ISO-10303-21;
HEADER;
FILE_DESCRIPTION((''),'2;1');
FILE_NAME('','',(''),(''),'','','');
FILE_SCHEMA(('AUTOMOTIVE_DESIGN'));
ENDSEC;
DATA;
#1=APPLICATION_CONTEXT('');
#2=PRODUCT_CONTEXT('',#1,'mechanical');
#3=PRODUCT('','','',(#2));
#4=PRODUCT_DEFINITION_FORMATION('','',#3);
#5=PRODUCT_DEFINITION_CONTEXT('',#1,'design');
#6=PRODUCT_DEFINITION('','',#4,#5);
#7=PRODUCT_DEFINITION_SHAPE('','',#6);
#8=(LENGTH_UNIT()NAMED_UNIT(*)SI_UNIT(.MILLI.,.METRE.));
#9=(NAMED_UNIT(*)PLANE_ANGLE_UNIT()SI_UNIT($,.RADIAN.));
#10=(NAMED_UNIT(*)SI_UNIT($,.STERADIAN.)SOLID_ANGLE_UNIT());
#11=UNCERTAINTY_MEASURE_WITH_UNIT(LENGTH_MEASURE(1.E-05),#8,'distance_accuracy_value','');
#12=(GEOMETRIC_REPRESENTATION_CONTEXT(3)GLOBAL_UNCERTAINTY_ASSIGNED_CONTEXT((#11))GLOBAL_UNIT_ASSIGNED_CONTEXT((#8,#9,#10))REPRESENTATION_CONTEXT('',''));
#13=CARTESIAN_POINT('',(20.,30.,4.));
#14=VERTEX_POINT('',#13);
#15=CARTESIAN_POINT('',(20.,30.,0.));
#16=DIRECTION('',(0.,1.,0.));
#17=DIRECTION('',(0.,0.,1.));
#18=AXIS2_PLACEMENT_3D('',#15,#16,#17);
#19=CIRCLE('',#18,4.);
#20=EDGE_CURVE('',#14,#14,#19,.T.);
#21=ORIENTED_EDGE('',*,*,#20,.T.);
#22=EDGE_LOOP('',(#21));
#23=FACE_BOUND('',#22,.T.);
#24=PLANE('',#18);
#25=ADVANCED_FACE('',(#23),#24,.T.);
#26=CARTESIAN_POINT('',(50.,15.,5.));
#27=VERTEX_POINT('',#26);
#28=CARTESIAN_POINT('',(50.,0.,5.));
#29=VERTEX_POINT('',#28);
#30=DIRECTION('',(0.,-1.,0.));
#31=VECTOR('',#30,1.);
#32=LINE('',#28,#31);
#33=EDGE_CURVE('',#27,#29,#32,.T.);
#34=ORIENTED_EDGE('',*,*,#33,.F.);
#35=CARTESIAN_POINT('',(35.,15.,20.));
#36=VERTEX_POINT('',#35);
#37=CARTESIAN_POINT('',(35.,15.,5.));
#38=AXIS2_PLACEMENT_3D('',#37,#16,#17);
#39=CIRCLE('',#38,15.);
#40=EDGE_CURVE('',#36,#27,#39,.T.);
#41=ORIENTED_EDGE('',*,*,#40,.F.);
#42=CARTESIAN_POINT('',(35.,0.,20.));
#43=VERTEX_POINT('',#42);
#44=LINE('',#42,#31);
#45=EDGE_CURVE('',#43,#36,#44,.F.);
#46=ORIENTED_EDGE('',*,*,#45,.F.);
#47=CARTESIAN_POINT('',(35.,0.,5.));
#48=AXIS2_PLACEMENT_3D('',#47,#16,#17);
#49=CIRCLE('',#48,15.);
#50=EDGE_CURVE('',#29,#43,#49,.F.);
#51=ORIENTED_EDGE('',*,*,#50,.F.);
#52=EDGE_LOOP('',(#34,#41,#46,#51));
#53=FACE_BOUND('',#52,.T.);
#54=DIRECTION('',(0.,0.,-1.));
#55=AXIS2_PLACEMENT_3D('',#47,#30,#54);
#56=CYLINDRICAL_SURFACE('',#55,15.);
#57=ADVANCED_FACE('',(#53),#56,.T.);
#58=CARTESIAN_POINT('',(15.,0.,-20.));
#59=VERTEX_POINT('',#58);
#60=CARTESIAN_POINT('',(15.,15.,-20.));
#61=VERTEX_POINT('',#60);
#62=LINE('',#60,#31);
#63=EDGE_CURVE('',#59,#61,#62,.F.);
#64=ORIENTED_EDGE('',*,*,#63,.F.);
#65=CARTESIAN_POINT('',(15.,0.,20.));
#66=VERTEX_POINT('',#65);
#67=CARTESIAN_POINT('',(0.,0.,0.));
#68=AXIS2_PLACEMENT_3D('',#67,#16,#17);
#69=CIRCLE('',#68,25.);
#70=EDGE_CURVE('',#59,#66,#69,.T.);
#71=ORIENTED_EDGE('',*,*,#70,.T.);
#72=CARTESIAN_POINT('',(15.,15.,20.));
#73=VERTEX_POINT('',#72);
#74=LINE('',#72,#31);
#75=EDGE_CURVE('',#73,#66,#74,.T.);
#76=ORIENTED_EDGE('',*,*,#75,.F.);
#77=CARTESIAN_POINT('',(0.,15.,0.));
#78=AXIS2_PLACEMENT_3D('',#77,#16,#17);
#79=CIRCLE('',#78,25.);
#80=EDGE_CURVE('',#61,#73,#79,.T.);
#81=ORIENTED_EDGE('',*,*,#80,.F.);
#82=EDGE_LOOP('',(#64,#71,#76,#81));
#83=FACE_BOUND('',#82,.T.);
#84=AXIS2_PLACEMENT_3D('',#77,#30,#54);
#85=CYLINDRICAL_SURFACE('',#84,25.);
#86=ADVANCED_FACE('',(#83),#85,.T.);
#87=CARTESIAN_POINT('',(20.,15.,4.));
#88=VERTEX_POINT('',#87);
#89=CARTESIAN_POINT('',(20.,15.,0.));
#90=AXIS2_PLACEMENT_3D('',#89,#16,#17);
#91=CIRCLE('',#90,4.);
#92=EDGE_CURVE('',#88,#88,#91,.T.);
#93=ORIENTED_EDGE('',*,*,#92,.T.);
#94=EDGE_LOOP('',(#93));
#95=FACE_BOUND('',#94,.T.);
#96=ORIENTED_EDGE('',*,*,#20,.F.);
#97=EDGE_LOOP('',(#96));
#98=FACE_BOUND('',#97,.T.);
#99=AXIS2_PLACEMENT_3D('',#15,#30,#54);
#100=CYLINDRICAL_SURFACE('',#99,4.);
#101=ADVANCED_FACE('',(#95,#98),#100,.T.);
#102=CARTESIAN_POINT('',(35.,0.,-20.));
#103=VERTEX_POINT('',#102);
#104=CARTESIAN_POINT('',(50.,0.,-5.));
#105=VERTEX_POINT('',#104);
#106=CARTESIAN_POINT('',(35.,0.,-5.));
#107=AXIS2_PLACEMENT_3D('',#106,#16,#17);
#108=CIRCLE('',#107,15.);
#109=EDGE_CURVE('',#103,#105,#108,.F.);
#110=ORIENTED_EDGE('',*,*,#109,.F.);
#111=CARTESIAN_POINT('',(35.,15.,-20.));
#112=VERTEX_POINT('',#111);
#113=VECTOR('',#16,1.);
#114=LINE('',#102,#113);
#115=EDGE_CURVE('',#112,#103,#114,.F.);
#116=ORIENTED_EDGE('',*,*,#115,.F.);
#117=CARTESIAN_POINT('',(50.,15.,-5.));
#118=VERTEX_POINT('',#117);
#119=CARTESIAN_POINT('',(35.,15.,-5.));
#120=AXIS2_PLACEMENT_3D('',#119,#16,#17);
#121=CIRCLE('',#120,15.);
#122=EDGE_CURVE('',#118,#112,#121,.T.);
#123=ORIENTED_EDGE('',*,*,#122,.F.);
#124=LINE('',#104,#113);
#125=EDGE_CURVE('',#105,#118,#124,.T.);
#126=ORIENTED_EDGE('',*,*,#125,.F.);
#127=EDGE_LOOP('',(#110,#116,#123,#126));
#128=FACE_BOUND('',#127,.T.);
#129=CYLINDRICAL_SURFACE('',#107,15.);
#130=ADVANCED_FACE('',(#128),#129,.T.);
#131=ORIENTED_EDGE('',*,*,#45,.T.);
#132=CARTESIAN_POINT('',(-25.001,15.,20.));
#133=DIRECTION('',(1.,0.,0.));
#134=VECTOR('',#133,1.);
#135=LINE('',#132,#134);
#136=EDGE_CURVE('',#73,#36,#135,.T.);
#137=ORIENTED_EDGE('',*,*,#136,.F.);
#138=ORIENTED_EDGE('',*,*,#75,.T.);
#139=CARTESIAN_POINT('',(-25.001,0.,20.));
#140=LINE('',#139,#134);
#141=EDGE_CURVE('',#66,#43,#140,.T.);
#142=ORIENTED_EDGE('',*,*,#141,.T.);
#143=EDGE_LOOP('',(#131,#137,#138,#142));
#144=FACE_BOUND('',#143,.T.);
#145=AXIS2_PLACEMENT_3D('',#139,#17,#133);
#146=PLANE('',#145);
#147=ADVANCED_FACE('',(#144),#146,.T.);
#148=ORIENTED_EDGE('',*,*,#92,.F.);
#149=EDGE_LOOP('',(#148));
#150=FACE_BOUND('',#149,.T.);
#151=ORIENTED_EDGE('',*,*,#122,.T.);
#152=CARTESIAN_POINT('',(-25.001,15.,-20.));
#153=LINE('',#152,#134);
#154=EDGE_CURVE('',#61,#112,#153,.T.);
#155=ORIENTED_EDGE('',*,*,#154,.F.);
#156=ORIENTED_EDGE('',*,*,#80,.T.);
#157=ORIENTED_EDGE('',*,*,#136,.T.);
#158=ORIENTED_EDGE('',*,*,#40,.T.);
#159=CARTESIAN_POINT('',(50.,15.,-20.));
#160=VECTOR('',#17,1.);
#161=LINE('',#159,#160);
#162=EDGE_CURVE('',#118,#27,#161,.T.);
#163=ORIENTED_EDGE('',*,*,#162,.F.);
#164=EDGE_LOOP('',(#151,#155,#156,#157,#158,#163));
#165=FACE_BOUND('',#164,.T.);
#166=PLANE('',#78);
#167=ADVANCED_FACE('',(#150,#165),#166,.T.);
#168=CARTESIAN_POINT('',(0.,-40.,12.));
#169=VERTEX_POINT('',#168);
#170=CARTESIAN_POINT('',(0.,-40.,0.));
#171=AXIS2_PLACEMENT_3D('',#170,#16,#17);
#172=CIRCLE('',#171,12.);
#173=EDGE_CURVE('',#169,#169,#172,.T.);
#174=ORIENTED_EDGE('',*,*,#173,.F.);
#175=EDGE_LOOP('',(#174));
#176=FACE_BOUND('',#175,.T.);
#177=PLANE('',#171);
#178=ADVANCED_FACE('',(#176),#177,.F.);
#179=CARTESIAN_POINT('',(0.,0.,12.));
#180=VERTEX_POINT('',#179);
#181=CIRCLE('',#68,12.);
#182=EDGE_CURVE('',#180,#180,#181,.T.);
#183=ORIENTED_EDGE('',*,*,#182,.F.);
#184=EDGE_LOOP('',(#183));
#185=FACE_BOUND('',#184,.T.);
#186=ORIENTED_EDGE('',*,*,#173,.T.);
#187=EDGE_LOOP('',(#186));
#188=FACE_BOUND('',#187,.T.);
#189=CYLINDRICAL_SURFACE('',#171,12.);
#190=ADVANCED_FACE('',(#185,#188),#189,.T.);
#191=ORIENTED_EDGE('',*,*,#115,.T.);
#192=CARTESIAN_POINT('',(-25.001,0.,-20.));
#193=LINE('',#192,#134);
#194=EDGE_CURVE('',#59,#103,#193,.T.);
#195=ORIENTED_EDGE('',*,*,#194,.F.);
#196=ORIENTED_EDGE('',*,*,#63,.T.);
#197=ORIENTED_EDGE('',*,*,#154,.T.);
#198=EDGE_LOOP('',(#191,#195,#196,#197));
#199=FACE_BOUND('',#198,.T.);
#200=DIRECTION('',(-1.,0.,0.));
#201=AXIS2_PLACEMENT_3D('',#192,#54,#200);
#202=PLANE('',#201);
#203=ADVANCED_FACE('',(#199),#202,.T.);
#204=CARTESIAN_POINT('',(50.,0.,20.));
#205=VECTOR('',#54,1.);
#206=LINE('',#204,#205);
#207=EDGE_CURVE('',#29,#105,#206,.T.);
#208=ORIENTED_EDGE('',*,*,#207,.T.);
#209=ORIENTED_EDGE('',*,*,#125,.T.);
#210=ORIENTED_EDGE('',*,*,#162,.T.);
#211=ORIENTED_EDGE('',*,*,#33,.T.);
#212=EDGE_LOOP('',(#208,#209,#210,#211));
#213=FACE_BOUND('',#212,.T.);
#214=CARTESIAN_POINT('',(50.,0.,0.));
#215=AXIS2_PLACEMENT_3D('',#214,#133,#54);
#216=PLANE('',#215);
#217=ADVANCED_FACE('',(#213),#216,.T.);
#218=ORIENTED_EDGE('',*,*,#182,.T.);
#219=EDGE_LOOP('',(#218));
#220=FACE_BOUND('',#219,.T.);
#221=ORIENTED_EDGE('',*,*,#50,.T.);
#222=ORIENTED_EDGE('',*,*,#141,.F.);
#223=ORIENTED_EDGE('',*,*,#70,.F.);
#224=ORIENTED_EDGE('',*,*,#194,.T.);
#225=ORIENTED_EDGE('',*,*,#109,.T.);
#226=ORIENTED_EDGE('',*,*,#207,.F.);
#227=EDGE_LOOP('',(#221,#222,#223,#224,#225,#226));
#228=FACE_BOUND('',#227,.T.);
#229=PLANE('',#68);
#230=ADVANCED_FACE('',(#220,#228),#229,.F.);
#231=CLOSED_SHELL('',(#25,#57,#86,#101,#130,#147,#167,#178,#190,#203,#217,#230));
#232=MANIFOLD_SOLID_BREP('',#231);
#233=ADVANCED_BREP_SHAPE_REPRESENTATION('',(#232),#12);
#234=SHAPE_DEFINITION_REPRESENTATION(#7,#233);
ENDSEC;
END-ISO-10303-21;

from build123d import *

# Parameters (mm, degrees)
SKETCH1_R                = 25
BOSS_EXTRUDE1_DEPTH      = 15
SKETCH1_3_R              = 12
BOSS_EXTRUDE2_DEPTH      = 40
BOSS_EXTRUDE4_REACH      = 105.385
BOSS_EXTRUDE4_END_RADIUS = 25
BOSS_EXTRUDE4_START      = 50
SKETCH4_W                = 40
SKETCH4_H                = 15
FILLET2_R                = 15
BOSS_EXTRUDE8_START      = 15
SKETCH7_R                = 4
BOSS_EXTRUDE8_DEPTH      = 15


with BuildPart() as part:
    # Sketch1 → Boss-Extrude1 (new body)
    with BuildSketch(Plane(origin=(0, 0, 0), x_dir=(1, 0, 0), z_dir=(0, 1, 0))):
        with Locations(Location((0, 0, 0), (0, 0, 270))):
            Circle(SKETCH1_R)
    extrude(amount=BOSS_EXTRUDE1_DEPTH)

    # Sketch1<3> → Boss-Extrude2 (add)
    with BuildSketch(Plane(origin=(0, 0, 0), x_dir=(1, 0, 0), z_dir=(0, 1, 0))):
        with Locations(Location((0, 0, 0), (0, 0, 270))):
            Circle(SKETCH1_3_R)
    extrude(amount=-BOSS_EXTRUDE2_DEPTH)

    # Boss-Extrude4: up to this cylinder (the profile starts outside it)
    boss_extrude4_end = Plane(origin=(0, 7.5, 0), z_dir=(0, -1, 0)) * Cylinder(BOSS_EXTRUDE4_END_RADIUS, 261.77, mode=Mode.PRIVATE)
    # Sketch4 → Boss-Extrude4 (add, up to the surface)
    with BuildSketch(Plane(origin=(0, 0, 0), x_dir=(0, 0, -1), z_dir=(1, 0, 0)).offset(BOSS_EXTRUDE4_START), mode=Mode.PRIVATE) as boss_extrude4_sk1:
        with Locations((0, 7.5)):
            Rectangle(SKETCH4_W, SKETCH4_H)
    boss_extrude4_tool1 = extrude(boss_extrude4_sk1.sketch, amount=-BOSS_EXTRUDE4_REACH, mode=Mode.PRIVATE) - boss_extrude4_end
    add(boss_extrude4_tool1.solids().sort_by_distance((50, 7.5, 0))[0])

    # Fillet2
    fillet2_edges = [part.edges().sort_by_distance(p)[0] for p in [
        (50, 7.5, -20),
        (50, 7.5, 20),
    ]]
    fillet(fillet2_edges, radius=FILLET2_R)

    # Sketch7 → Boss-Extrude8 (add)
    with BuildSketch(Plane(origin=(0, 0, 0), x_dir=(1, 0, 0), z_dir=(0, 1, 0)).offset(BOSS_EXTRUDE8_START)):
        with Locations(Location((20, 0, 0), (0, 0, 270))):
            Circle(SKETCH7_R)
    extrude(amount=BOSS_EXTRUDE8_DEPTH)


solid = part.part
